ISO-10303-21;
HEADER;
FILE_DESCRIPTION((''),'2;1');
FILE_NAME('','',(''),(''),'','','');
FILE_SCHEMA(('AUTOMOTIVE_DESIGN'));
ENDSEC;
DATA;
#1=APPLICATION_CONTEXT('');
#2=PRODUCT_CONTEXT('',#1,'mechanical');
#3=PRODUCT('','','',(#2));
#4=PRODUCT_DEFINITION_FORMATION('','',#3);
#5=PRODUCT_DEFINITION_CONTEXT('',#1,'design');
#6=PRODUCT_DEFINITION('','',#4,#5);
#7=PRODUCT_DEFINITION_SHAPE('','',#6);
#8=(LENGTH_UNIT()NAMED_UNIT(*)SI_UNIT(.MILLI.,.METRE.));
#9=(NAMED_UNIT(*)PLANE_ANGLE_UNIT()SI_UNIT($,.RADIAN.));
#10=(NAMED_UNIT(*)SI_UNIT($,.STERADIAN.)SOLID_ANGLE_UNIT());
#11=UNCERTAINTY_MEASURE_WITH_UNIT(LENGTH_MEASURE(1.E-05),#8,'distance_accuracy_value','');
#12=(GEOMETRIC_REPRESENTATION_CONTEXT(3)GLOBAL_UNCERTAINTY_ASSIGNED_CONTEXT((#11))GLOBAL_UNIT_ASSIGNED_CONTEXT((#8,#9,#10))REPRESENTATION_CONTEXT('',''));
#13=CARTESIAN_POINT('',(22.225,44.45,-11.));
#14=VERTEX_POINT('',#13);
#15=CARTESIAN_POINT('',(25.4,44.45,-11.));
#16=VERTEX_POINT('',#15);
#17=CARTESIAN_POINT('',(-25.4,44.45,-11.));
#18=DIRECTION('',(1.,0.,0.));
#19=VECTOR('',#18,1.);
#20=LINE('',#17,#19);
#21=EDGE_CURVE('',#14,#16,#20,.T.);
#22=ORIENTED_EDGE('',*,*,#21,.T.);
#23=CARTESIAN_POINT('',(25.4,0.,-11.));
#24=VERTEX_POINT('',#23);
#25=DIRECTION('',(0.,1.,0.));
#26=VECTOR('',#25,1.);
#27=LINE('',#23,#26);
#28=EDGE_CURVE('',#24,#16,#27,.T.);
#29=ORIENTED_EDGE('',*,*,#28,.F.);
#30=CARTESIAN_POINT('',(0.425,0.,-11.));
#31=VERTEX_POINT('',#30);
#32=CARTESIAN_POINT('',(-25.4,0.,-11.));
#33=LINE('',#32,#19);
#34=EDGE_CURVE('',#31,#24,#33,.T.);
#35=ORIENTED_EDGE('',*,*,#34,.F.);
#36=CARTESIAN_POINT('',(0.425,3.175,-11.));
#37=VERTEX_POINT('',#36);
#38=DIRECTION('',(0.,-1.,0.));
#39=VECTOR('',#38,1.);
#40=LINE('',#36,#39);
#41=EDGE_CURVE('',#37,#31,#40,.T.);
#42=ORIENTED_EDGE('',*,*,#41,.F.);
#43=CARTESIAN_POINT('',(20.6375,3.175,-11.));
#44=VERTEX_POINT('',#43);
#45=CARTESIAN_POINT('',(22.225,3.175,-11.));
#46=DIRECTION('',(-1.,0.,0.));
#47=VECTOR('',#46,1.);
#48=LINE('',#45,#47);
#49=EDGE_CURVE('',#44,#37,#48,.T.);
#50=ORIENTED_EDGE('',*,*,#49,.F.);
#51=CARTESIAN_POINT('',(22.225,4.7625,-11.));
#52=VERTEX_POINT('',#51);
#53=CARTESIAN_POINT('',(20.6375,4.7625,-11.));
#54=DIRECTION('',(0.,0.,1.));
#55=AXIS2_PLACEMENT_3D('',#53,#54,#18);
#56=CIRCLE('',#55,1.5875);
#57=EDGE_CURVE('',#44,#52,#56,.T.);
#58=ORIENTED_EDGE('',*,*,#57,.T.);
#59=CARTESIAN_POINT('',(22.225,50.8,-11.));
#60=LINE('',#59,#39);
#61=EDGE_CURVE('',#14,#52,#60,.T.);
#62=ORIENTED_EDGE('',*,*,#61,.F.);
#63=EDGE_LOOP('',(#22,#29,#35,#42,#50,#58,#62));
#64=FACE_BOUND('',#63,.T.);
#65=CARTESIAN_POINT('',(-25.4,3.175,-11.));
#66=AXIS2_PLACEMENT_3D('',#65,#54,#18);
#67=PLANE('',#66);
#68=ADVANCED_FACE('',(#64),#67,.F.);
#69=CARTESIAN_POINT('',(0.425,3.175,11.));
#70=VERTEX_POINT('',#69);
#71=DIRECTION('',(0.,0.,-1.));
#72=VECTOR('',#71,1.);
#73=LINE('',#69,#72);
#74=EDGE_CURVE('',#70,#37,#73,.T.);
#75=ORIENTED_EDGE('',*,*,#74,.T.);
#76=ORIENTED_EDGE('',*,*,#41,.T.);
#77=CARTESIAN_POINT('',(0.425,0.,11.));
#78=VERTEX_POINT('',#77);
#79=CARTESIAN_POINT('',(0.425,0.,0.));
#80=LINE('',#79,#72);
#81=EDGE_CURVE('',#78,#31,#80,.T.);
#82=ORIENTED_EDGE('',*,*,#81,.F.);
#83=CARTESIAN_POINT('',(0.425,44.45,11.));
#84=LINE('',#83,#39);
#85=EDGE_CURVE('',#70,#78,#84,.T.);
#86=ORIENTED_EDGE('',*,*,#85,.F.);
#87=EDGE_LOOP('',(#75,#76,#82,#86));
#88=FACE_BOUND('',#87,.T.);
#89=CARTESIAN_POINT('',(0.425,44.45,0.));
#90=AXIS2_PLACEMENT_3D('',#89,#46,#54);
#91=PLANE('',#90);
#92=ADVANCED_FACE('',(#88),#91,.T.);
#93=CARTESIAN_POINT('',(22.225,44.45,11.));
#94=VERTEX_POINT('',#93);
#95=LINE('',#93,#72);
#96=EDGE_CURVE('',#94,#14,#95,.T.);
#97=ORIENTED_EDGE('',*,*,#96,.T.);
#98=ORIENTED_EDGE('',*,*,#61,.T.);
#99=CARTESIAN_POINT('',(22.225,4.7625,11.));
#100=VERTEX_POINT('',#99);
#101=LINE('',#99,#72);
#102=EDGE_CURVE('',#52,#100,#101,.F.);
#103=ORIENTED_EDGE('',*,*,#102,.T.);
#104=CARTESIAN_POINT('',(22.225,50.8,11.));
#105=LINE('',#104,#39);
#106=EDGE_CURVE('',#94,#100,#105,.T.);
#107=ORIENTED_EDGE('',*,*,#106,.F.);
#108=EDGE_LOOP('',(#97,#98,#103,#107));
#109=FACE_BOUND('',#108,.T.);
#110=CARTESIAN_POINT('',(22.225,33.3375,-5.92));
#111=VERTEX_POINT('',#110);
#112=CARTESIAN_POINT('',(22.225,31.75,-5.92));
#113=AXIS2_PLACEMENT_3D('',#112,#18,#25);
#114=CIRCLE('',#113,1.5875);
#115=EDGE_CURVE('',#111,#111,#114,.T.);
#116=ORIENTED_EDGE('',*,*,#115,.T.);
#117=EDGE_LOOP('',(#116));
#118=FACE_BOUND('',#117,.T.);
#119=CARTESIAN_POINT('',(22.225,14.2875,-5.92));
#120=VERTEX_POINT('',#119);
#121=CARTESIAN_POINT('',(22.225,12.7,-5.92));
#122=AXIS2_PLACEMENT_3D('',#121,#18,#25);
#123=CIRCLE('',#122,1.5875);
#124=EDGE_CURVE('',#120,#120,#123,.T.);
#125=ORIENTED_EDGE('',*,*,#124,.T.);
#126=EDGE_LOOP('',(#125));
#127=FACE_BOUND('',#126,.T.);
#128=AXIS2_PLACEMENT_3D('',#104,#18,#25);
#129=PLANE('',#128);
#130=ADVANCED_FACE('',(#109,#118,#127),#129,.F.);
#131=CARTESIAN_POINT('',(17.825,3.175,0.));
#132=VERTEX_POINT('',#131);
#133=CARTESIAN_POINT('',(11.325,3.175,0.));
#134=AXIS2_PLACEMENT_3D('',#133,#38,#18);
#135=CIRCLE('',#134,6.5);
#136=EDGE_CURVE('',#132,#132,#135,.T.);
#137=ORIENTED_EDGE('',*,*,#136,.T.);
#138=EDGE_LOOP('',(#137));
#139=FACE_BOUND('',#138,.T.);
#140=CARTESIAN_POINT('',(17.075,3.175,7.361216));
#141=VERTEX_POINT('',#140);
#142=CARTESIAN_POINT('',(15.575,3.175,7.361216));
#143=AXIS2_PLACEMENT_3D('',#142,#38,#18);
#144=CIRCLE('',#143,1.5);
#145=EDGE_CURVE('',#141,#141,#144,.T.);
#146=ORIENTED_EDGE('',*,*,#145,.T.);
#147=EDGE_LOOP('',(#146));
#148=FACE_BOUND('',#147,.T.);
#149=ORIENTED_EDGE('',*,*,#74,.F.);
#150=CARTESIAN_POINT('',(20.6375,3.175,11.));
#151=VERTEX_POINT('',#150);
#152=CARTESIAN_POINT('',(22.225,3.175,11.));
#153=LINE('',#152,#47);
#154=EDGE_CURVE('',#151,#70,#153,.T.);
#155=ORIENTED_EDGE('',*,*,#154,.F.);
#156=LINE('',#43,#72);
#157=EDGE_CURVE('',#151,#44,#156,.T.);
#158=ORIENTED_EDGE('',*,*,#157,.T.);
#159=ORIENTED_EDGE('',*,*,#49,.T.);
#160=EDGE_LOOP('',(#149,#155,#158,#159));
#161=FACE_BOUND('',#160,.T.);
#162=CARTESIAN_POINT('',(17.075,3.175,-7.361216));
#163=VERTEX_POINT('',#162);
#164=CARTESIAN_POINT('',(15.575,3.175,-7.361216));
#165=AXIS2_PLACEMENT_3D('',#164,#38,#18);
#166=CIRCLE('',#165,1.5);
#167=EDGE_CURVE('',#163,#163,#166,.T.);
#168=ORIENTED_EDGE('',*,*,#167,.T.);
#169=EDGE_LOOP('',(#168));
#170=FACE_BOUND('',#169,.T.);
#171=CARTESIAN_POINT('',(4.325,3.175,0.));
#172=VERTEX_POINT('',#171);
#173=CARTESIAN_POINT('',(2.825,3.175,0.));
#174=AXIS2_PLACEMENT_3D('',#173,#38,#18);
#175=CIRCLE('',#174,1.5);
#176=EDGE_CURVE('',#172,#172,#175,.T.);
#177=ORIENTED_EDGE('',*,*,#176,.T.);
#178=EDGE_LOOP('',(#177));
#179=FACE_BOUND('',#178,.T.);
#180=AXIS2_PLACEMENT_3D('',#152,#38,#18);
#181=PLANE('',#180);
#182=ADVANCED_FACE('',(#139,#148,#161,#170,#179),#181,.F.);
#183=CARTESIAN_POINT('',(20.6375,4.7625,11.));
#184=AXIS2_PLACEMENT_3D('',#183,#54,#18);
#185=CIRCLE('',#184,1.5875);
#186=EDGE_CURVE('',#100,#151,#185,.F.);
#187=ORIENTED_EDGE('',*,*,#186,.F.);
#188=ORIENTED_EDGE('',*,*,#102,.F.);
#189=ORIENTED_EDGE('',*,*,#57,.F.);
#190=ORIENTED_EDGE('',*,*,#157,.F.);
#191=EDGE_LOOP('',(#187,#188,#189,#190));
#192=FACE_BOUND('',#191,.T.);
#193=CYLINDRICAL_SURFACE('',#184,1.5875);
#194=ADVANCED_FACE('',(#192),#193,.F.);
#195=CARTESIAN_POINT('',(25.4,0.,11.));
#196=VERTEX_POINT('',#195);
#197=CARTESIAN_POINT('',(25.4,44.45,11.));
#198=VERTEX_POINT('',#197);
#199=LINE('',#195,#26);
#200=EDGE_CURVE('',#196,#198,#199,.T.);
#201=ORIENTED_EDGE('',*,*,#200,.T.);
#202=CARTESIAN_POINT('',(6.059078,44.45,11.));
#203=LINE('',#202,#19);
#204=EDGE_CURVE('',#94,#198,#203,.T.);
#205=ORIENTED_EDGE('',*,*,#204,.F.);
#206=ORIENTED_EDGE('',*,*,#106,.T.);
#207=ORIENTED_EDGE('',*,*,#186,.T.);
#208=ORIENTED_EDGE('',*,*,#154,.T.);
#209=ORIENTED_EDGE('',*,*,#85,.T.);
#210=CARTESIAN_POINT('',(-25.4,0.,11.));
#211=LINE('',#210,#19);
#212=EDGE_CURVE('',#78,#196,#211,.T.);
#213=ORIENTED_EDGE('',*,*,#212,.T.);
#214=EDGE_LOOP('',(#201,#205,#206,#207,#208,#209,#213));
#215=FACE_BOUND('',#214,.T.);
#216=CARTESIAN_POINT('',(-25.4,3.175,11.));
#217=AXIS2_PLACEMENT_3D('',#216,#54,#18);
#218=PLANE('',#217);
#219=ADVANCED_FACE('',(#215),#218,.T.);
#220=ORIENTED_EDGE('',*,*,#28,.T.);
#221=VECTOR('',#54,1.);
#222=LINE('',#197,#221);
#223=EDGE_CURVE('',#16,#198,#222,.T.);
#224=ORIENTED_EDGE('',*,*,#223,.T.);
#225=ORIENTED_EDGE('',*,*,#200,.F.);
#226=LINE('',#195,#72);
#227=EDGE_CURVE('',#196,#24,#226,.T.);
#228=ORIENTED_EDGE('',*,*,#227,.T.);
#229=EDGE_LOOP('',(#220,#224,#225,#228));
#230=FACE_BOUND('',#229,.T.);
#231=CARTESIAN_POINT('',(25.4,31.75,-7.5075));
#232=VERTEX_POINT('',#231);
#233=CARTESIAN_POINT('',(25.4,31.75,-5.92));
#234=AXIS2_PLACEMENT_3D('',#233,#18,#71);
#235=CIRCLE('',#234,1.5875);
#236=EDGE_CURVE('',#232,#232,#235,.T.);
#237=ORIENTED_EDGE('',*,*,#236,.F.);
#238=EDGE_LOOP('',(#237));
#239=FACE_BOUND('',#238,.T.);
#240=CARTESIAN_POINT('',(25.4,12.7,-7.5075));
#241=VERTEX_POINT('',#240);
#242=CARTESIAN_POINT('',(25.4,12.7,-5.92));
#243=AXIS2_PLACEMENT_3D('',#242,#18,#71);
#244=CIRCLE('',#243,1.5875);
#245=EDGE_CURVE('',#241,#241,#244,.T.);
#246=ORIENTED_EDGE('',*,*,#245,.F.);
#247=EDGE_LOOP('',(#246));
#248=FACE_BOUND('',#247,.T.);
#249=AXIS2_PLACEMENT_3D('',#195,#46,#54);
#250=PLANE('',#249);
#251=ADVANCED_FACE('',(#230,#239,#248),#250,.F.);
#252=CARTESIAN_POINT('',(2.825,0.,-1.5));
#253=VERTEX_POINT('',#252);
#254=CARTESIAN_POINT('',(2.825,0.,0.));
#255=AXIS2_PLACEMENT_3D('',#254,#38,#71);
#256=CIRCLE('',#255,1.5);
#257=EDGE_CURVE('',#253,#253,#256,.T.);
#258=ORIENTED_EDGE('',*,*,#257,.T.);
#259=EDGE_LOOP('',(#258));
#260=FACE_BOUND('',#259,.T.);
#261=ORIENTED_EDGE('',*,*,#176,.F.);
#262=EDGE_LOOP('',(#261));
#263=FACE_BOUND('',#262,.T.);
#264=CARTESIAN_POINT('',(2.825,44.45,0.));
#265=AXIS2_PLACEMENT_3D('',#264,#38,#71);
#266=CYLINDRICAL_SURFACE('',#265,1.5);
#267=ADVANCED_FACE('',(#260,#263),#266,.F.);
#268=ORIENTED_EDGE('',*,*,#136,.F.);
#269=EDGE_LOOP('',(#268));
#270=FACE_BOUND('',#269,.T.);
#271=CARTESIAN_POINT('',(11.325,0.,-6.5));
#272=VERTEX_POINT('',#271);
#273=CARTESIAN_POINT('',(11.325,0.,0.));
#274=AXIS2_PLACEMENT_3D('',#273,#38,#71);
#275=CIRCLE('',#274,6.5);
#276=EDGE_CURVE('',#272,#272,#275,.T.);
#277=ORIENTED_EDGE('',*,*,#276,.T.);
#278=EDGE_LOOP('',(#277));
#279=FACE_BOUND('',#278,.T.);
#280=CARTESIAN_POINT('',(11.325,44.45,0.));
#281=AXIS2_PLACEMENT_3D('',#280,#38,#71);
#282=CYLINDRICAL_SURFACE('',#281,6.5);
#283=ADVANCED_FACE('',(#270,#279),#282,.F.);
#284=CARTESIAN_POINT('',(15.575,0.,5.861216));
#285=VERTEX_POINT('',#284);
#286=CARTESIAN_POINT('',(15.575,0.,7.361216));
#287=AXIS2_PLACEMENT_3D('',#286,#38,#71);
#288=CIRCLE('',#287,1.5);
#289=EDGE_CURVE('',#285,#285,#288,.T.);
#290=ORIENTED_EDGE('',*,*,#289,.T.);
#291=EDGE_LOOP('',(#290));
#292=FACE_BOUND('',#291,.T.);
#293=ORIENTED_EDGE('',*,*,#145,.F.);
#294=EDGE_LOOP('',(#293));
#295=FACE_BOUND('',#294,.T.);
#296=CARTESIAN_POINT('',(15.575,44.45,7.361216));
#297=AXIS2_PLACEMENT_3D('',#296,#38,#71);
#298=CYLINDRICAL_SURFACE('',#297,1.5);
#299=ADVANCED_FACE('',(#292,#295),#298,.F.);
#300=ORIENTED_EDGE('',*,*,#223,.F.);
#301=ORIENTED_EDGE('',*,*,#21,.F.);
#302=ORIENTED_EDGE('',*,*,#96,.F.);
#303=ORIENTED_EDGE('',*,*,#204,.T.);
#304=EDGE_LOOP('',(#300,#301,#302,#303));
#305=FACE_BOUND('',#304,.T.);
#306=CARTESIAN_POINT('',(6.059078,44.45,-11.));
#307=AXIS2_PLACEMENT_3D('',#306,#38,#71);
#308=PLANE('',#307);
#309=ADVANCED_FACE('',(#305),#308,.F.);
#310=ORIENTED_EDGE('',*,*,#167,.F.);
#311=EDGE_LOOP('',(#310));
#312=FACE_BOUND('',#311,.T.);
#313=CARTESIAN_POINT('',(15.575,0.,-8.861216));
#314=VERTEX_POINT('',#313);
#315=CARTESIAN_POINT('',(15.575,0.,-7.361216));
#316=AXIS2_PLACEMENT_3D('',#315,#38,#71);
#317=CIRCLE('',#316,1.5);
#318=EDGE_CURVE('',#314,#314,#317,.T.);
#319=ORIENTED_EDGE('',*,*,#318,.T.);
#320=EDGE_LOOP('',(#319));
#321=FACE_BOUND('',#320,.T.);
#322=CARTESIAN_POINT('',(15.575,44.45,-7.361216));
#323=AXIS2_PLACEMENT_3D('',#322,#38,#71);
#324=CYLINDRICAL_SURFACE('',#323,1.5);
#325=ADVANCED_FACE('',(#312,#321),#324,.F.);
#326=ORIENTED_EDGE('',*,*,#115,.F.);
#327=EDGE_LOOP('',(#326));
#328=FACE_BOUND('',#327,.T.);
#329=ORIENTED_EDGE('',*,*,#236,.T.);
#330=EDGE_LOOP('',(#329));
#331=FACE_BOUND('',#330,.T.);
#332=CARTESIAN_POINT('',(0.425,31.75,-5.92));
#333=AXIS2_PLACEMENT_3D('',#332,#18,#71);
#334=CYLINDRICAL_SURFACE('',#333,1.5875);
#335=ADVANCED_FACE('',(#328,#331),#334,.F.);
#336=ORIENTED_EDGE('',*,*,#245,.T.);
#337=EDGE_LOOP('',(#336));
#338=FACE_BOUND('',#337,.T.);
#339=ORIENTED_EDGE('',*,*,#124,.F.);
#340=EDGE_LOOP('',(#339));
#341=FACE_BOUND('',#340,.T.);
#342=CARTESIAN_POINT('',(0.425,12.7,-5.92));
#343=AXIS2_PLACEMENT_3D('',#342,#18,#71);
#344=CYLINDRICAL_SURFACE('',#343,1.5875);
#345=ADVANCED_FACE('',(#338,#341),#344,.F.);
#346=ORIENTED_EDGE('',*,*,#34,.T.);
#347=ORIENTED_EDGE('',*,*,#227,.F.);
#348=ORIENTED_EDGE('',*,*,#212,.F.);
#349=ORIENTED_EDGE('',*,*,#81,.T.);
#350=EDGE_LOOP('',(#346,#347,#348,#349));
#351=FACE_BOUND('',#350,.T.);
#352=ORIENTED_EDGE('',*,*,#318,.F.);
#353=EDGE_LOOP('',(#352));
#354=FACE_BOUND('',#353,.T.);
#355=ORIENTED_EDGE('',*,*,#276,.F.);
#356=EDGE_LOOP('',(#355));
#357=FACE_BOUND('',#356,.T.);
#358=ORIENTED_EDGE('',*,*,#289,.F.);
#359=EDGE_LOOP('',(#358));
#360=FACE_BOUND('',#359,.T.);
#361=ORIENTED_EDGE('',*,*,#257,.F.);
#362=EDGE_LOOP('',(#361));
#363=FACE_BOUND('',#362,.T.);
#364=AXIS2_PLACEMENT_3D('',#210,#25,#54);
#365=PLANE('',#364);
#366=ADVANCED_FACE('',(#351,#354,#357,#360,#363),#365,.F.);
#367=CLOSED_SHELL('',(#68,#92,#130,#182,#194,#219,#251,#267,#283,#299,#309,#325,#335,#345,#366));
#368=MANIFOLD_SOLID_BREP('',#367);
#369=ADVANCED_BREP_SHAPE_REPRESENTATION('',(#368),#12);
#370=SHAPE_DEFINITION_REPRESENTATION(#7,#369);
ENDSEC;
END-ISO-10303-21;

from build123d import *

# Parameters (mm, degrees)
BOSS_EXTRUDE1_DEPTH = 11
FILLET1_R           = 1.5875
SKETCH3_W           = 24.423912887
SKETCH3_H           = 26.552361768
CUT_EXTRUDE1_DEPTH  = 61.908127536
SKETCH4_R           = 1.5
SKETCH4_R_2         = 6.5
SKETCH4_W           = 25.825
SKETCH4_H           = 22
CUT_EXTRUDE2_DEPTH  = 53.363751775
SKETCH5_R           = 1.5875
CUT_EXTRUDE3_DEPTH  = 53.158921816


with BuildPart() as part:
    # Sketch2 → Boss-Extrude1 (new, symmetric)
    with BuildSketch(Plane.XY):
        Polygon((-25.4, 0), (25.4, 0), (25.4, 50.8), (22.225, 50.8), (22.225, 3.175), (-25.4, 3.175), align=None)
    extrude(amount=BOSS_EXTRUDE1_DEPTH, both=True)

    # Fillet1
    fillet1_edges = [part.edges().sort_by_distance(p)[0] for p in [
        (22.225, 3.175, 0),
    ]]
    fillet(fillet1_edges, radius=FILLET1_R)

    # Sketch3 → Cut-Extrude1 (cut, through all)
    with BuildSketch(Plane.XY.offset(11)):
        with Locations((18.271034128, 57.726180884)):
            Rectangle(SKETCH3_W, SKETCH3_H)
    extrude(amount=-CUT_EXTRUDE1_DEPTH, mode=Mode.SUBTRACT)

    # Sketch4 → Cut-Extrude2 (cut, through all)
    with BuildSketch(Plane.XZ):
        with Locations(Location((15.575, -7.361215932, 0), (0, 0, 270))):
            Circle(SKETCH4_R)
        with Locations(Location((11.325, 0, 0), (0, 0, 270))):
            Circle(SKETCH4_R_2)
        with Locations(Location((15.575, 7.361215932, 0), (0, 0, 270))):
            Circle(SKETCH4_R)
        with Locations((-12.4875, 0)):
            Rectangle(SKETCH4_W, SKETCH4_H)
        with Locations(Location((2.825, 0, 0), (0, 0, 270))):
            Circle(SKETCH4_R)
    extrude(amount=-CUT_EXTRUDE2_DEPTH, mode=Mode.SUBTRACT)

    # Sketch5 → Cut-Extrude3 (cut, through all)
    with BuildSketch(Plane(origin=(25.4, 0, 0), x_dir=(0, 0, -1), z_dir=(1, 0, 0))):
        with Locations((5.92, 31.75)):
            Circle(SKETCH5_R)
        with Locations((5.92, 12.7)):
            Circle(SKETCH5_R)
    extrude(amount=-CUT_EXTRUDE3_DEPTH, mode=Mode.SUBTRACT)


solid = part.part
